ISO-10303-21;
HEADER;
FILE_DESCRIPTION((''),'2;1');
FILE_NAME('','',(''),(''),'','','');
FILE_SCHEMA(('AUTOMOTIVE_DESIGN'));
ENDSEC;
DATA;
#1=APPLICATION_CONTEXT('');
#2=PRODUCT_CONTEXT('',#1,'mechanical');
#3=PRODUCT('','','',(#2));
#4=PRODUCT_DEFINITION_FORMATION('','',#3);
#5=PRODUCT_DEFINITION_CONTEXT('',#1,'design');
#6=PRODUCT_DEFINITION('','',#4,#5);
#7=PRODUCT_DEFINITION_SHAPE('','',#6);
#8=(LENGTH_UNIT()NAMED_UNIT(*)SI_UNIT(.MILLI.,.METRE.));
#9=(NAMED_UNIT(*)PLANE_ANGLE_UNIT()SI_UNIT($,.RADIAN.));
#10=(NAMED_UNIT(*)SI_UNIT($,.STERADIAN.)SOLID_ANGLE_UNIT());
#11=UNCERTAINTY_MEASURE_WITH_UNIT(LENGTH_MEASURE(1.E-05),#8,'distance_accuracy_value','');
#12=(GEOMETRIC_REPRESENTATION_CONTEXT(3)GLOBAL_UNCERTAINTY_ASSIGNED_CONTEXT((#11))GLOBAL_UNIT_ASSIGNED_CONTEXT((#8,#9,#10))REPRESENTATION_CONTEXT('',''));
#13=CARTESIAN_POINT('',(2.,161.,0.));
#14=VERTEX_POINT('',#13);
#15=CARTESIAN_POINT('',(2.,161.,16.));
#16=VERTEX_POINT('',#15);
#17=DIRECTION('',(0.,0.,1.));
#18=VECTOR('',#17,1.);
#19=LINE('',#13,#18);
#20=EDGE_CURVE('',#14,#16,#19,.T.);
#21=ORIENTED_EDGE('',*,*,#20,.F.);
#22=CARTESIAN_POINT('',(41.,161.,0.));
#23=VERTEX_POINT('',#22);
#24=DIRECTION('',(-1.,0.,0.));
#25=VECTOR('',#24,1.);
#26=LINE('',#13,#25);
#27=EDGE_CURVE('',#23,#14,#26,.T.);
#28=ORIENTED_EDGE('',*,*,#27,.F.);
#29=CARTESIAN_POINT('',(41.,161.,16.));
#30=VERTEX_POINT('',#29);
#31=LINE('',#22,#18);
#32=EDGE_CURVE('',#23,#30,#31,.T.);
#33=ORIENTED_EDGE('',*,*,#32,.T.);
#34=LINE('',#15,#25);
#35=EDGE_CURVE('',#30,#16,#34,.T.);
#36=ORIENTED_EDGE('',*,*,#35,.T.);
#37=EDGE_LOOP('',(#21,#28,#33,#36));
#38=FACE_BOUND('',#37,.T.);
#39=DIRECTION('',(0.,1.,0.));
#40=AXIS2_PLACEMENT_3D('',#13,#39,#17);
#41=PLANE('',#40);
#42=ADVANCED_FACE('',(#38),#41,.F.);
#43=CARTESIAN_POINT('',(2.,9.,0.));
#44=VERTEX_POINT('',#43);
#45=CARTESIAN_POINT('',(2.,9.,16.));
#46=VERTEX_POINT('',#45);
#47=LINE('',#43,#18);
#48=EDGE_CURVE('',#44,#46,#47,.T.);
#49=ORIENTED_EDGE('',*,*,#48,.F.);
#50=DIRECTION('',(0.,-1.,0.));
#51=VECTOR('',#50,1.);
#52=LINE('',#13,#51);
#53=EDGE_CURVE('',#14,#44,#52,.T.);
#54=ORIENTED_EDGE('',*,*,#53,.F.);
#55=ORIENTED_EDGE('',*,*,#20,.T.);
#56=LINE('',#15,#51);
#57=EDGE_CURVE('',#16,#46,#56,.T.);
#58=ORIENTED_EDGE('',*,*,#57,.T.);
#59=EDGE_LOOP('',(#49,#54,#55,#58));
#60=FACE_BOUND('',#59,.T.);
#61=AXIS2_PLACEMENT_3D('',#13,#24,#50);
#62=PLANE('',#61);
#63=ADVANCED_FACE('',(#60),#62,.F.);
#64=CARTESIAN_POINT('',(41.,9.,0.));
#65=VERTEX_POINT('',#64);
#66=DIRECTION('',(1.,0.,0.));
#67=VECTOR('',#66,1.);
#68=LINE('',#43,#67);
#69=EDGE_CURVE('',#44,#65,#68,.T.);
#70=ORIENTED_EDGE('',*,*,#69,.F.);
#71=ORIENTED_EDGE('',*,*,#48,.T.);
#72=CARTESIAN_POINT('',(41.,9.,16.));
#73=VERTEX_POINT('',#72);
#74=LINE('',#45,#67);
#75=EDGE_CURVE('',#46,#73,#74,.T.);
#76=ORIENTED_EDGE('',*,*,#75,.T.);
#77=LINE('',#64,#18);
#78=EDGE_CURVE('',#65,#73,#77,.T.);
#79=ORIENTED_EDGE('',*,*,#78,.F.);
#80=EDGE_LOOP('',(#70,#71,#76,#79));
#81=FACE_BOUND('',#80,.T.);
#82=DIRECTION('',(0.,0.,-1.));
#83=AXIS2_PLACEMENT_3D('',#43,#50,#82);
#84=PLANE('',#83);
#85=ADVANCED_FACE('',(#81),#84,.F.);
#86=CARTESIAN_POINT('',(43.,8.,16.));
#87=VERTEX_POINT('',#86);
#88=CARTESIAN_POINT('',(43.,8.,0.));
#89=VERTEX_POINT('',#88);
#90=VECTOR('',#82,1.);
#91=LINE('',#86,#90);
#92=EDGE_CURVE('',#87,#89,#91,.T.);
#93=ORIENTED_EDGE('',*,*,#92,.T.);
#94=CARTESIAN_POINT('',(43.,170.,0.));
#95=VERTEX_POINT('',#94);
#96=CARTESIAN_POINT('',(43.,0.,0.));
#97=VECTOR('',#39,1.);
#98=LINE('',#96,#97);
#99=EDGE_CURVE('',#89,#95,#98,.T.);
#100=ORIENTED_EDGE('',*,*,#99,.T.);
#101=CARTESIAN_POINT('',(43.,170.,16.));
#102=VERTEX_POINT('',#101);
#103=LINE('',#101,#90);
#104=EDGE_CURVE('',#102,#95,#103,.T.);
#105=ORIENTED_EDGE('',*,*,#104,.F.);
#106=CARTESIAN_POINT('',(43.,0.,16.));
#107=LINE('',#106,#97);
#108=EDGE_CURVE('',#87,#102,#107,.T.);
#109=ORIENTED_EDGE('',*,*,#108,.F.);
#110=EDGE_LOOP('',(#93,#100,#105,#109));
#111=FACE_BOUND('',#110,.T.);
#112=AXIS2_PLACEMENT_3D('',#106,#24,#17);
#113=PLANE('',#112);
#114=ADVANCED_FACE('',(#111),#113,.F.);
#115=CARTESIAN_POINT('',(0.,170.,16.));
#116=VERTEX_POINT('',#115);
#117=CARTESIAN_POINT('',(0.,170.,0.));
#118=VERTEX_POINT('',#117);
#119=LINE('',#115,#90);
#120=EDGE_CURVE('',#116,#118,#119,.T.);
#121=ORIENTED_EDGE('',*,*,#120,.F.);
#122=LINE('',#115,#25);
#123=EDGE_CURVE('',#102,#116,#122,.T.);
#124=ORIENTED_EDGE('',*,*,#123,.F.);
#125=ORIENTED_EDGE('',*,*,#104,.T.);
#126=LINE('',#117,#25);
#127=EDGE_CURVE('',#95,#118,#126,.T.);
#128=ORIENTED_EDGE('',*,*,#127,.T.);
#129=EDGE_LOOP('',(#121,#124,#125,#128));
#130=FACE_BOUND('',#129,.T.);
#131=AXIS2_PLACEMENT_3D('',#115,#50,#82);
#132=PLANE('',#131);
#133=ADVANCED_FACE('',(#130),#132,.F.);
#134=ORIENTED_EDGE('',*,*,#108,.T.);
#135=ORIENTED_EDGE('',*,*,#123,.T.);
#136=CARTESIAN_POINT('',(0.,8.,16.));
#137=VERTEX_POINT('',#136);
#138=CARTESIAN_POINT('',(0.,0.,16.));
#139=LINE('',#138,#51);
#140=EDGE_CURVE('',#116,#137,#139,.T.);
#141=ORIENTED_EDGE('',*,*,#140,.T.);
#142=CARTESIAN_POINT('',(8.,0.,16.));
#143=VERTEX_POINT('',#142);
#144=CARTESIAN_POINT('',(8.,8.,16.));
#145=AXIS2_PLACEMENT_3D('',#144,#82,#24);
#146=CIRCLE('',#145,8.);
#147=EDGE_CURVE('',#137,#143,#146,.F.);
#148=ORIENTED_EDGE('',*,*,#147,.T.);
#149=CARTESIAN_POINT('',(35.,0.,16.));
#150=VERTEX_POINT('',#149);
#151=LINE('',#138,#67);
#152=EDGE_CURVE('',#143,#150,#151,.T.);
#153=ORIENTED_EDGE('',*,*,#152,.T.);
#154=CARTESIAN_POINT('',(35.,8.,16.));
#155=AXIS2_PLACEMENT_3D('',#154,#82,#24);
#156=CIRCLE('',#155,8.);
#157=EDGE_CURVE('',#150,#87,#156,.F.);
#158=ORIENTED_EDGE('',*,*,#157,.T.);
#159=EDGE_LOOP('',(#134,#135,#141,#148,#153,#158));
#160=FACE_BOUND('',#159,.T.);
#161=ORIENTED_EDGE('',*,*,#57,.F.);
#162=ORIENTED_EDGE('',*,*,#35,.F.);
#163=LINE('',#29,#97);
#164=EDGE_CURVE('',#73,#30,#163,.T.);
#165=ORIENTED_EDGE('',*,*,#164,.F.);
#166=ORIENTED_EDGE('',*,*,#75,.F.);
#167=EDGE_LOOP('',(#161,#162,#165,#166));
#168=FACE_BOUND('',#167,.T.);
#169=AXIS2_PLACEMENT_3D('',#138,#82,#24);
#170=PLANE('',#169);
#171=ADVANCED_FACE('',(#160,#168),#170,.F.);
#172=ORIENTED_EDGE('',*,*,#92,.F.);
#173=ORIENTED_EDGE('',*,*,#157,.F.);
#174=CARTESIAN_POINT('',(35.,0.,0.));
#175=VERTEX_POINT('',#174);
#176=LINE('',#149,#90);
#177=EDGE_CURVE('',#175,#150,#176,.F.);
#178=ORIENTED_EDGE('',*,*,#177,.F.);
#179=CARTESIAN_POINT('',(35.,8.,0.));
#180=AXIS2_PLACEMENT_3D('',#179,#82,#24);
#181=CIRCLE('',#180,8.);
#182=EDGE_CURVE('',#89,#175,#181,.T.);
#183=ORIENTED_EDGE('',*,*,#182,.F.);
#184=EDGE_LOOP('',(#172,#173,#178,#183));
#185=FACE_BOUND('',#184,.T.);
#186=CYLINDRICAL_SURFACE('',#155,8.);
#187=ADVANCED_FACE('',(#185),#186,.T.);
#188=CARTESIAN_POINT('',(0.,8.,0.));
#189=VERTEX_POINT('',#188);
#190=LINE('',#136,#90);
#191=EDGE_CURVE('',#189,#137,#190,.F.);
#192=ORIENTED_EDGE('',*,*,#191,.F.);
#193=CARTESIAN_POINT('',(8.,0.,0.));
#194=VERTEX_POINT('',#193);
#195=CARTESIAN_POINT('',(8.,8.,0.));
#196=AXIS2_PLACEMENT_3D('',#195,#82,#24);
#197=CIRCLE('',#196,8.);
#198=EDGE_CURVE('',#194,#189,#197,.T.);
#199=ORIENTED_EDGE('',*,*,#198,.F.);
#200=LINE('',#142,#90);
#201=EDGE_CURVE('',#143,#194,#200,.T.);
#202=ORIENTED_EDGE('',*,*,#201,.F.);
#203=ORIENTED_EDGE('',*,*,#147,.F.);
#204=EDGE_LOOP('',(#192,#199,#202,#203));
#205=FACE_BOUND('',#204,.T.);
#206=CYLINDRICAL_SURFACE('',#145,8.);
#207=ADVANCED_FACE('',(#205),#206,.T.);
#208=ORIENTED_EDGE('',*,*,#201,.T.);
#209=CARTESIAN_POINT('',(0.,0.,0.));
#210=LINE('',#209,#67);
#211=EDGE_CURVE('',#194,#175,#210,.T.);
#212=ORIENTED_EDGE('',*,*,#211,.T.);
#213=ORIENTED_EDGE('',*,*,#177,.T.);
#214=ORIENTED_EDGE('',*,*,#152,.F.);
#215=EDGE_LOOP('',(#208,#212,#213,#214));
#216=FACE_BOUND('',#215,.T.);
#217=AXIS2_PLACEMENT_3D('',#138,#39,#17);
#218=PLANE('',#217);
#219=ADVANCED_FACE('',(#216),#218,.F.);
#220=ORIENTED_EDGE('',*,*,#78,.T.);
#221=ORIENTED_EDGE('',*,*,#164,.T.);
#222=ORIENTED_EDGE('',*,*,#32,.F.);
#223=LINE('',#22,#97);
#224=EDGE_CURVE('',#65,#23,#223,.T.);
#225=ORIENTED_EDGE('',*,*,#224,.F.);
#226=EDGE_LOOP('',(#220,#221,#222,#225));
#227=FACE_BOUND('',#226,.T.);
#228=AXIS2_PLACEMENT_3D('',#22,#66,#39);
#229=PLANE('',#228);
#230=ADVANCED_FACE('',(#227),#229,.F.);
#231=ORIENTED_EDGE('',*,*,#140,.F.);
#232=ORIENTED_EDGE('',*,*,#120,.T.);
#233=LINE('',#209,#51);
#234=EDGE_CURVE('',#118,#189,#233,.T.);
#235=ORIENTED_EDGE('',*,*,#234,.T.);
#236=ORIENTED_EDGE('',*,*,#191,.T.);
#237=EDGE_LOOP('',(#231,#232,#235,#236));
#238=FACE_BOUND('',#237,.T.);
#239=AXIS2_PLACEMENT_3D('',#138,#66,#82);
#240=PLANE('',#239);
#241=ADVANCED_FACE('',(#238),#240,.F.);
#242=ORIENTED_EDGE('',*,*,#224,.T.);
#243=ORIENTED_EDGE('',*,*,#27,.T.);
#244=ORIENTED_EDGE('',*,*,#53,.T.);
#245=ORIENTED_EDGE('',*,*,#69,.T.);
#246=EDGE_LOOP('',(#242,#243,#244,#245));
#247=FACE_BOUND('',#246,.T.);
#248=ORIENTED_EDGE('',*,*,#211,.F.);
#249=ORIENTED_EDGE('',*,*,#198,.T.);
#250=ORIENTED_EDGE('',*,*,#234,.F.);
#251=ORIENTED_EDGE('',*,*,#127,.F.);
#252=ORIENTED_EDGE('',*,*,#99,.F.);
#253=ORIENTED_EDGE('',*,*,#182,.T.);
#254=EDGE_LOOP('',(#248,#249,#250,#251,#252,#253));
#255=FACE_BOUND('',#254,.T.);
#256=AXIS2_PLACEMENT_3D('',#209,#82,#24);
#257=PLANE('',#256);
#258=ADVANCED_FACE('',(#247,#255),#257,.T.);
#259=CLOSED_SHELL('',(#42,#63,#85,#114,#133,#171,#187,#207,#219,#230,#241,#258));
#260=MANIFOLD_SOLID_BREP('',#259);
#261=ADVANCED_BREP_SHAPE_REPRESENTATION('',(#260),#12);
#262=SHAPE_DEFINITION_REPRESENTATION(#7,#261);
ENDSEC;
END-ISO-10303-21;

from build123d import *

# Parameters (mm, degrees)
SKETCH_1_W          = 43
SKETCH_1_H          = 170
EXTRUDE_1_DEPTH     = 16
SKETCH_3_W          = 39
SKETCH_3_H          = 152
CUT_EXTRUDE_1_DEPTH = 177.08236709
FILLET_3_R          = 8


with BuildPart() as part:
    # Эскиз1 → Бобышка-Вытянуть1 (new body)
    with BuildSketch(Plane.XY):
        with Locations((21.5, 85)):
            Rectangle(SKETCH_1_W, SKETCH_1_H)
    extrude(amount=EXTRUDE_1_DEPTH)

    # Эскиз3 → Вырез-Вытянуть1 (cut, through all)
    with BuildSketch(Plane.XY.offset(16)):
        with Locations((21.5, 85)):
            Rectangle(SKETCH_3_W, SKETCH_3_H)
    extrude(amount=-CUT_EXTRUDE_1_DEPTH, mode=Mode.SUBTRACT)

    # Скругление3
    fillet_3_edges = [part.edges().sort_by_distance(p)[0] for p in [
        (43, 0, 8),
        (0, 0, 8),
    ]]
    fillet(fillet_3_edges, radius=FILLET_3_R)


solid = part.part
